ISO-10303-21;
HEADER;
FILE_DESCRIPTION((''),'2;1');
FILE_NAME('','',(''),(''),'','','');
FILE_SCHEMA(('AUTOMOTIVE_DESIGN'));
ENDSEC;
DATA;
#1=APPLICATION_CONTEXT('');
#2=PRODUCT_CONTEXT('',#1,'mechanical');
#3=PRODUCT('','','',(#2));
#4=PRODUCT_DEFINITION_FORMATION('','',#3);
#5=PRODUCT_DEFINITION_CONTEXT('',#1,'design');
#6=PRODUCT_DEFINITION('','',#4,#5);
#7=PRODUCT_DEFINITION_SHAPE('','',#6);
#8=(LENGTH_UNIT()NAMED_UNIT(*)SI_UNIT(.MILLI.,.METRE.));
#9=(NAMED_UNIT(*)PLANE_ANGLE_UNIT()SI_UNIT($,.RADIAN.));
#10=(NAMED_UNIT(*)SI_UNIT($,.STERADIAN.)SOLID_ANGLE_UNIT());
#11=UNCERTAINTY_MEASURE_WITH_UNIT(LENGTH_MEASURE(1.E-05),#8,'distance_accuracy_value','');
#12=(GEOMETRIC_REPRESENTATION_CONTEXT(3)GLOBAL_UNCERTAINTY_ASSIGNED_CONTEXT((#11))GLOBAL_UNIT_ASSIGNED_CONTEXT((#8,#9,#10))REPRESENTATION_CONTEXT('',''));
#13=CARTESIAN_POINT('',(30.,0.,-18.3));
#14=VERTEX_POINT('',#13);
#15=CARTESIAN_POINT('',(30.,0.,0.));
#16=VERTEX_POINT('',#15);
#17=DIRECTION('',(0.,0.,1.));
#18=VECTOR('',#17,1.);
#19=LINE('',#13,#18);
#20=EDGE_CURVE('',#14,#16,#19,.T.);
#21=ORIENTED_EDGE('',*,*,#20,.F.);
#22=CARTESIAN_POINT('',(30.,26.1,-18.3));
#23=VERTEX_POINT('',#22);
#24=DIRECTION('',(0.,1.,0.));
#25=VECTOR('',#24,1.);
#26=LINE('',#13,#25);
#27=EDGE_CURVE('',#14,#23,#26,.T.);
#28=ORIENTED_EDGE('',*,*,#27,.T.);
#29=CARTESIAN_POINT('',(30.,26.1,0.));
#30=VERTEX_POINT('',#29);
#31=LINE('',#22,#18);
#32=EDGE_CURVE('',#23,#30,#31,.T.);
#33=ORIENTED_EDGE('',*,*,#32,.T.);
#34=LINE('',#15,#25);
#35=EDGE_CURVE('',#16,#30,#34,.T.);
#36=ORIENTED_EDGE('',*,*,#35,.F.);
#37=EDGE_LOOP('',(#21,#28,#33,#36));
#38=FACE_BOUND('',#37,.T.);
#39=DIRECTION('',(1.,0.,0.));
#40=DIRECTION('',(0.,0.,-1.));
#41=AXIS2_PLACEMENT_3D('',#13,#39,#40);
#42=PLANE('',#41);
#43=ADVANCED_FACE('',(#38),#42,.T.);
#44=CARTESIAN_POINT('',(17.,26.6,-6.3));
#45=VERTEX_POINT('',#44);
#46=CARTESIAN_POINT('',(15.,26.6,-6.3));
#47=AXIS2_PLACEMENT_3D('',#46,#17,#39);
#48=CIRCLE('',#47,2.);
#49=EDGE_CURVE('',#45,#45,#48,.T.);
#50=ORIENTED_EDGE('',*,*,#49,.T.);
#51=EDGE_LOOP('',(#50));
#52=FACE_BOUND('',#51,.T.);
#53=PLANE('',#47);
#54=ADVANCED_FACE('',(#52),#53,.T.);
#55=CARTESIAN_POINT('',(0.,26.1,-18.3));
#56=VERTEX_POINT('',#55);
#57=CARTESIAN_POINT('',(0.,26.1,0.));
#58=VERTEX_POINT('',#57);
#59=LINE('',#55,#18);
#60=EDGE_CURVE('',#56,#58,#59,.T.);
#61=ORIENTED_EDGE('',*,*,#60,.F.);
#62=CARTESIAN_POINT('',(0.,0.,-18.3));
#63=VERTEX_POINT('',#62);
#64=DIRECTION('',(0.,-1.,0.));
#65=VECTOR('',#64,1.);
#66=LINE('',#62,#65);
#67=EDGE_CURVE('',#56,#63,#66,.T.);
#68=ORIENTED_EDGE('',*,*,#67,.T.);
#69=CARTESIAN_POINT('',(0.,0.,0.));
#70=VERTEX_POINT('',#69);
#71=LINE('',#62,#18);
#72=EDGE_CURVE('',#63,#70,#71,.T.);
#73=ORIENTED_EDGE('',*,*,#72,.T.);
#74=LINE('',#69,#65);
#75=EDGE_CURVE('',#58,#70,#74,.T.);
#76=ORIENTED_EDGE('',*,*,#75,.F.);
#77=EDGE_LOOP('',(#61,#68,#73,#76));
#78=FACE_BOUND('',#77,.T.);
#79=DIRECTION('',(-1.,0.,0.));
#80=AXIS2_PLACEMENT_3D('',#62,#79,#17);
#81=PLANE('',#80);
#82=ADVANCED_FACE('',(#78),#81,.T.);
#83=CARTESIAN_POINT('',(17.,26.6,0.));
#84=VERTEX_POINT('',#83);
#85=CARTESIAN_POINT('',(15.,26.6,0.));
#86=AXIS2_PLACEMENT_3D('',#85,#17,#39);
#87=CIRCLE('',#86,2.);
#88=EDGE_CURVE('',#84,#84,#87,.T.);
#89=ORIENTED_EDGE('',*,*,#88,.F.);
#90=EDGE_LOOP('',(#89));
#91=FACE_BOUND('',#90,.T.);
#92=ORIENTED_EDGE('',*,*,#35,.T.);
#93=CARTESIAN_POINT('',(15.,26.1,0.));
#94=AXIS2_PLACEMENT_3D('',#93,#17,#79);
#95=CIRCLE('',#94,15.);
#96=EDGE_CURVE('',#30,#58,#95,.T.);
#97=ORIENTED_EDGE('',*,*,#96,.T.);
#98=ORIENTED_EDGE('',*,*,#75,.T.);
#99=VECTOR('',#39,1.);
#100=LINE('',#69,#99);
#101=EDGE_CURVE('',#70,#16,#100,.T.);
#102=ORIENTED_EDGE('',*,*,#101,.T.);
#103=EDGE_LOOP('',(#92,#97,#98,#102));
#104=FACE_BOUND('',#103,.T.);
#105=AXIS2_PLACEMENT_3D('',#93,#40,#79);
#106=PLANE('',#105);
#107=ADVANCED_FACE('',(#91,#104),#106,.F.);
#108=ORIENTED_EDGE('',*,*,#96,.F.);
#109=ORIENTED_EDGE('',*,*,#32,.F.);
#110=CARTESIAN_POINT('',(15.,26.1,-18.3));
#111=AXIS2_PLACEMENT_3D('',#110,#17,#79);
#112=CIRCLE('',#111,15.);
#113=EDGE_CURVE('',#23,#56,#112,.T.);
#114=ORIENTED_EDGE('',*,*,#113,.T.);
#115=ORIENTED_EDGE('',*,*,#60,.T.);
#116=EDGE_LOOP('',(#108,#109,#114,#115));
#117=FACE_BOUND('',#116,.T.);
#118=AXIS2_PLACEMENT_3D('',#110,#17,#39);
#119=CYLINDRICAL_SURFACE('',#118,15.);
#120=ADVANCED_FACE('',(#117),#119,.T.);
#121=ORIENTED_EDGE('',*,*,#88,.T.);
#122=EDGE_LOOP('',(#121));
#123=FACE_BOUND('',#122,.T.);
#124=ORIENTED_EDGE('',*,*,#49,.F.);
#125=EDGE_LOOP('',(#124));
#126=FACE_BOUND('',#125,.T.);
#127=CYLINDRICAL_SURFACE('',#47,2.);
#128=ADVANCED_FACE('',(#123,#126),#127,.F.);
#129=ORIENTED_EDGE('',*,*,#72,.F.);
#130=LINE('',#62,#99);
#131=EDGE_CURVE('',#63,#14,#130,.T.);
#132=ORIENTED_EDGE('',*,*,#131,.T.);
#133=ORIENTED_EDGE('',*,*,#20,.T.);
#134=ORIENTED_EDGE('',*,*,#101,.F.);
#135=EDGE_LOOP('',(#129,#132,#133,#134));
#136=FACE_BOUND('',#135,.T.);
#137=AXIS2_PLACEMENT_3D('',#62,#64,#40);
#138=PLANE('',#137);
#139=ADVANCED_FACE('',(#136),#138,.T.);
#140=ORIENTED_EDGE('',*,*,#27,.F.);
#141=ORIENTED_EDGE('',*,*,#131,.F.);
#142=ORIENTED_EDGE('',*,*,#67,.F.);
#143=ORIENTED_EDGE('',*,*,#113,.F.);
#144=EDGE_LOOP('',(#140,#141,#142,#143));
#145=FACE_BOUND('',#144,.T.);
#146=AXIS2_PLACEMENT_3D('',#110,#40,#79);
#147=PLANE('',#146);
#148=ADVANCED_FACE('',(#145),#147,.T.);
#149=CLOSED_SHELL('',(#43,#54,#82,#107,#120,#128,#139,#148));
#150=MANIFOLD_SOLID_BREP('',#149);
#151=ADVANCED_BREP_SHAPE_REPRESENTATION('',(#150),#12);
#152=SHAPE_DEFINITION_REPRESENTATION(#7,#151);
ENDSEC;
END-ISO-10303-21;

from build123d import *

# Parameters (mm, degrees)
EXTRUSION1_DEPTH = 18.3
ESQUISSE2_R      = 2
EXTRUSION2_DEPTH = 6.3


with BuildPart() as part:
    # Esquisse1 → Extrusion1 (new body)
    with BuildSketch(Plane.XY):
        with BuildLine():
            Line((0, 0), (30, 0))
            Line((30, 0), (30, 26.1))
            ThreePointArc((30, 26.1), (15, 41.1), (0, 26.1))
            Line((0, 26.1), (0, 0))
        make_face()
    extrude(amount=-EXTRUSION1_DEPTH)

    # Esquisse2 → Extrusion2 (cut)
    with BuildSketch(Plane.XY):
        with Locations((15, 26.6)):
            Circle(ESQUISSE2_R)
    extrude(amount=-EXTRUSION2_DEPTH, mode=Mode.SUBTRACT)


solid = part.part
